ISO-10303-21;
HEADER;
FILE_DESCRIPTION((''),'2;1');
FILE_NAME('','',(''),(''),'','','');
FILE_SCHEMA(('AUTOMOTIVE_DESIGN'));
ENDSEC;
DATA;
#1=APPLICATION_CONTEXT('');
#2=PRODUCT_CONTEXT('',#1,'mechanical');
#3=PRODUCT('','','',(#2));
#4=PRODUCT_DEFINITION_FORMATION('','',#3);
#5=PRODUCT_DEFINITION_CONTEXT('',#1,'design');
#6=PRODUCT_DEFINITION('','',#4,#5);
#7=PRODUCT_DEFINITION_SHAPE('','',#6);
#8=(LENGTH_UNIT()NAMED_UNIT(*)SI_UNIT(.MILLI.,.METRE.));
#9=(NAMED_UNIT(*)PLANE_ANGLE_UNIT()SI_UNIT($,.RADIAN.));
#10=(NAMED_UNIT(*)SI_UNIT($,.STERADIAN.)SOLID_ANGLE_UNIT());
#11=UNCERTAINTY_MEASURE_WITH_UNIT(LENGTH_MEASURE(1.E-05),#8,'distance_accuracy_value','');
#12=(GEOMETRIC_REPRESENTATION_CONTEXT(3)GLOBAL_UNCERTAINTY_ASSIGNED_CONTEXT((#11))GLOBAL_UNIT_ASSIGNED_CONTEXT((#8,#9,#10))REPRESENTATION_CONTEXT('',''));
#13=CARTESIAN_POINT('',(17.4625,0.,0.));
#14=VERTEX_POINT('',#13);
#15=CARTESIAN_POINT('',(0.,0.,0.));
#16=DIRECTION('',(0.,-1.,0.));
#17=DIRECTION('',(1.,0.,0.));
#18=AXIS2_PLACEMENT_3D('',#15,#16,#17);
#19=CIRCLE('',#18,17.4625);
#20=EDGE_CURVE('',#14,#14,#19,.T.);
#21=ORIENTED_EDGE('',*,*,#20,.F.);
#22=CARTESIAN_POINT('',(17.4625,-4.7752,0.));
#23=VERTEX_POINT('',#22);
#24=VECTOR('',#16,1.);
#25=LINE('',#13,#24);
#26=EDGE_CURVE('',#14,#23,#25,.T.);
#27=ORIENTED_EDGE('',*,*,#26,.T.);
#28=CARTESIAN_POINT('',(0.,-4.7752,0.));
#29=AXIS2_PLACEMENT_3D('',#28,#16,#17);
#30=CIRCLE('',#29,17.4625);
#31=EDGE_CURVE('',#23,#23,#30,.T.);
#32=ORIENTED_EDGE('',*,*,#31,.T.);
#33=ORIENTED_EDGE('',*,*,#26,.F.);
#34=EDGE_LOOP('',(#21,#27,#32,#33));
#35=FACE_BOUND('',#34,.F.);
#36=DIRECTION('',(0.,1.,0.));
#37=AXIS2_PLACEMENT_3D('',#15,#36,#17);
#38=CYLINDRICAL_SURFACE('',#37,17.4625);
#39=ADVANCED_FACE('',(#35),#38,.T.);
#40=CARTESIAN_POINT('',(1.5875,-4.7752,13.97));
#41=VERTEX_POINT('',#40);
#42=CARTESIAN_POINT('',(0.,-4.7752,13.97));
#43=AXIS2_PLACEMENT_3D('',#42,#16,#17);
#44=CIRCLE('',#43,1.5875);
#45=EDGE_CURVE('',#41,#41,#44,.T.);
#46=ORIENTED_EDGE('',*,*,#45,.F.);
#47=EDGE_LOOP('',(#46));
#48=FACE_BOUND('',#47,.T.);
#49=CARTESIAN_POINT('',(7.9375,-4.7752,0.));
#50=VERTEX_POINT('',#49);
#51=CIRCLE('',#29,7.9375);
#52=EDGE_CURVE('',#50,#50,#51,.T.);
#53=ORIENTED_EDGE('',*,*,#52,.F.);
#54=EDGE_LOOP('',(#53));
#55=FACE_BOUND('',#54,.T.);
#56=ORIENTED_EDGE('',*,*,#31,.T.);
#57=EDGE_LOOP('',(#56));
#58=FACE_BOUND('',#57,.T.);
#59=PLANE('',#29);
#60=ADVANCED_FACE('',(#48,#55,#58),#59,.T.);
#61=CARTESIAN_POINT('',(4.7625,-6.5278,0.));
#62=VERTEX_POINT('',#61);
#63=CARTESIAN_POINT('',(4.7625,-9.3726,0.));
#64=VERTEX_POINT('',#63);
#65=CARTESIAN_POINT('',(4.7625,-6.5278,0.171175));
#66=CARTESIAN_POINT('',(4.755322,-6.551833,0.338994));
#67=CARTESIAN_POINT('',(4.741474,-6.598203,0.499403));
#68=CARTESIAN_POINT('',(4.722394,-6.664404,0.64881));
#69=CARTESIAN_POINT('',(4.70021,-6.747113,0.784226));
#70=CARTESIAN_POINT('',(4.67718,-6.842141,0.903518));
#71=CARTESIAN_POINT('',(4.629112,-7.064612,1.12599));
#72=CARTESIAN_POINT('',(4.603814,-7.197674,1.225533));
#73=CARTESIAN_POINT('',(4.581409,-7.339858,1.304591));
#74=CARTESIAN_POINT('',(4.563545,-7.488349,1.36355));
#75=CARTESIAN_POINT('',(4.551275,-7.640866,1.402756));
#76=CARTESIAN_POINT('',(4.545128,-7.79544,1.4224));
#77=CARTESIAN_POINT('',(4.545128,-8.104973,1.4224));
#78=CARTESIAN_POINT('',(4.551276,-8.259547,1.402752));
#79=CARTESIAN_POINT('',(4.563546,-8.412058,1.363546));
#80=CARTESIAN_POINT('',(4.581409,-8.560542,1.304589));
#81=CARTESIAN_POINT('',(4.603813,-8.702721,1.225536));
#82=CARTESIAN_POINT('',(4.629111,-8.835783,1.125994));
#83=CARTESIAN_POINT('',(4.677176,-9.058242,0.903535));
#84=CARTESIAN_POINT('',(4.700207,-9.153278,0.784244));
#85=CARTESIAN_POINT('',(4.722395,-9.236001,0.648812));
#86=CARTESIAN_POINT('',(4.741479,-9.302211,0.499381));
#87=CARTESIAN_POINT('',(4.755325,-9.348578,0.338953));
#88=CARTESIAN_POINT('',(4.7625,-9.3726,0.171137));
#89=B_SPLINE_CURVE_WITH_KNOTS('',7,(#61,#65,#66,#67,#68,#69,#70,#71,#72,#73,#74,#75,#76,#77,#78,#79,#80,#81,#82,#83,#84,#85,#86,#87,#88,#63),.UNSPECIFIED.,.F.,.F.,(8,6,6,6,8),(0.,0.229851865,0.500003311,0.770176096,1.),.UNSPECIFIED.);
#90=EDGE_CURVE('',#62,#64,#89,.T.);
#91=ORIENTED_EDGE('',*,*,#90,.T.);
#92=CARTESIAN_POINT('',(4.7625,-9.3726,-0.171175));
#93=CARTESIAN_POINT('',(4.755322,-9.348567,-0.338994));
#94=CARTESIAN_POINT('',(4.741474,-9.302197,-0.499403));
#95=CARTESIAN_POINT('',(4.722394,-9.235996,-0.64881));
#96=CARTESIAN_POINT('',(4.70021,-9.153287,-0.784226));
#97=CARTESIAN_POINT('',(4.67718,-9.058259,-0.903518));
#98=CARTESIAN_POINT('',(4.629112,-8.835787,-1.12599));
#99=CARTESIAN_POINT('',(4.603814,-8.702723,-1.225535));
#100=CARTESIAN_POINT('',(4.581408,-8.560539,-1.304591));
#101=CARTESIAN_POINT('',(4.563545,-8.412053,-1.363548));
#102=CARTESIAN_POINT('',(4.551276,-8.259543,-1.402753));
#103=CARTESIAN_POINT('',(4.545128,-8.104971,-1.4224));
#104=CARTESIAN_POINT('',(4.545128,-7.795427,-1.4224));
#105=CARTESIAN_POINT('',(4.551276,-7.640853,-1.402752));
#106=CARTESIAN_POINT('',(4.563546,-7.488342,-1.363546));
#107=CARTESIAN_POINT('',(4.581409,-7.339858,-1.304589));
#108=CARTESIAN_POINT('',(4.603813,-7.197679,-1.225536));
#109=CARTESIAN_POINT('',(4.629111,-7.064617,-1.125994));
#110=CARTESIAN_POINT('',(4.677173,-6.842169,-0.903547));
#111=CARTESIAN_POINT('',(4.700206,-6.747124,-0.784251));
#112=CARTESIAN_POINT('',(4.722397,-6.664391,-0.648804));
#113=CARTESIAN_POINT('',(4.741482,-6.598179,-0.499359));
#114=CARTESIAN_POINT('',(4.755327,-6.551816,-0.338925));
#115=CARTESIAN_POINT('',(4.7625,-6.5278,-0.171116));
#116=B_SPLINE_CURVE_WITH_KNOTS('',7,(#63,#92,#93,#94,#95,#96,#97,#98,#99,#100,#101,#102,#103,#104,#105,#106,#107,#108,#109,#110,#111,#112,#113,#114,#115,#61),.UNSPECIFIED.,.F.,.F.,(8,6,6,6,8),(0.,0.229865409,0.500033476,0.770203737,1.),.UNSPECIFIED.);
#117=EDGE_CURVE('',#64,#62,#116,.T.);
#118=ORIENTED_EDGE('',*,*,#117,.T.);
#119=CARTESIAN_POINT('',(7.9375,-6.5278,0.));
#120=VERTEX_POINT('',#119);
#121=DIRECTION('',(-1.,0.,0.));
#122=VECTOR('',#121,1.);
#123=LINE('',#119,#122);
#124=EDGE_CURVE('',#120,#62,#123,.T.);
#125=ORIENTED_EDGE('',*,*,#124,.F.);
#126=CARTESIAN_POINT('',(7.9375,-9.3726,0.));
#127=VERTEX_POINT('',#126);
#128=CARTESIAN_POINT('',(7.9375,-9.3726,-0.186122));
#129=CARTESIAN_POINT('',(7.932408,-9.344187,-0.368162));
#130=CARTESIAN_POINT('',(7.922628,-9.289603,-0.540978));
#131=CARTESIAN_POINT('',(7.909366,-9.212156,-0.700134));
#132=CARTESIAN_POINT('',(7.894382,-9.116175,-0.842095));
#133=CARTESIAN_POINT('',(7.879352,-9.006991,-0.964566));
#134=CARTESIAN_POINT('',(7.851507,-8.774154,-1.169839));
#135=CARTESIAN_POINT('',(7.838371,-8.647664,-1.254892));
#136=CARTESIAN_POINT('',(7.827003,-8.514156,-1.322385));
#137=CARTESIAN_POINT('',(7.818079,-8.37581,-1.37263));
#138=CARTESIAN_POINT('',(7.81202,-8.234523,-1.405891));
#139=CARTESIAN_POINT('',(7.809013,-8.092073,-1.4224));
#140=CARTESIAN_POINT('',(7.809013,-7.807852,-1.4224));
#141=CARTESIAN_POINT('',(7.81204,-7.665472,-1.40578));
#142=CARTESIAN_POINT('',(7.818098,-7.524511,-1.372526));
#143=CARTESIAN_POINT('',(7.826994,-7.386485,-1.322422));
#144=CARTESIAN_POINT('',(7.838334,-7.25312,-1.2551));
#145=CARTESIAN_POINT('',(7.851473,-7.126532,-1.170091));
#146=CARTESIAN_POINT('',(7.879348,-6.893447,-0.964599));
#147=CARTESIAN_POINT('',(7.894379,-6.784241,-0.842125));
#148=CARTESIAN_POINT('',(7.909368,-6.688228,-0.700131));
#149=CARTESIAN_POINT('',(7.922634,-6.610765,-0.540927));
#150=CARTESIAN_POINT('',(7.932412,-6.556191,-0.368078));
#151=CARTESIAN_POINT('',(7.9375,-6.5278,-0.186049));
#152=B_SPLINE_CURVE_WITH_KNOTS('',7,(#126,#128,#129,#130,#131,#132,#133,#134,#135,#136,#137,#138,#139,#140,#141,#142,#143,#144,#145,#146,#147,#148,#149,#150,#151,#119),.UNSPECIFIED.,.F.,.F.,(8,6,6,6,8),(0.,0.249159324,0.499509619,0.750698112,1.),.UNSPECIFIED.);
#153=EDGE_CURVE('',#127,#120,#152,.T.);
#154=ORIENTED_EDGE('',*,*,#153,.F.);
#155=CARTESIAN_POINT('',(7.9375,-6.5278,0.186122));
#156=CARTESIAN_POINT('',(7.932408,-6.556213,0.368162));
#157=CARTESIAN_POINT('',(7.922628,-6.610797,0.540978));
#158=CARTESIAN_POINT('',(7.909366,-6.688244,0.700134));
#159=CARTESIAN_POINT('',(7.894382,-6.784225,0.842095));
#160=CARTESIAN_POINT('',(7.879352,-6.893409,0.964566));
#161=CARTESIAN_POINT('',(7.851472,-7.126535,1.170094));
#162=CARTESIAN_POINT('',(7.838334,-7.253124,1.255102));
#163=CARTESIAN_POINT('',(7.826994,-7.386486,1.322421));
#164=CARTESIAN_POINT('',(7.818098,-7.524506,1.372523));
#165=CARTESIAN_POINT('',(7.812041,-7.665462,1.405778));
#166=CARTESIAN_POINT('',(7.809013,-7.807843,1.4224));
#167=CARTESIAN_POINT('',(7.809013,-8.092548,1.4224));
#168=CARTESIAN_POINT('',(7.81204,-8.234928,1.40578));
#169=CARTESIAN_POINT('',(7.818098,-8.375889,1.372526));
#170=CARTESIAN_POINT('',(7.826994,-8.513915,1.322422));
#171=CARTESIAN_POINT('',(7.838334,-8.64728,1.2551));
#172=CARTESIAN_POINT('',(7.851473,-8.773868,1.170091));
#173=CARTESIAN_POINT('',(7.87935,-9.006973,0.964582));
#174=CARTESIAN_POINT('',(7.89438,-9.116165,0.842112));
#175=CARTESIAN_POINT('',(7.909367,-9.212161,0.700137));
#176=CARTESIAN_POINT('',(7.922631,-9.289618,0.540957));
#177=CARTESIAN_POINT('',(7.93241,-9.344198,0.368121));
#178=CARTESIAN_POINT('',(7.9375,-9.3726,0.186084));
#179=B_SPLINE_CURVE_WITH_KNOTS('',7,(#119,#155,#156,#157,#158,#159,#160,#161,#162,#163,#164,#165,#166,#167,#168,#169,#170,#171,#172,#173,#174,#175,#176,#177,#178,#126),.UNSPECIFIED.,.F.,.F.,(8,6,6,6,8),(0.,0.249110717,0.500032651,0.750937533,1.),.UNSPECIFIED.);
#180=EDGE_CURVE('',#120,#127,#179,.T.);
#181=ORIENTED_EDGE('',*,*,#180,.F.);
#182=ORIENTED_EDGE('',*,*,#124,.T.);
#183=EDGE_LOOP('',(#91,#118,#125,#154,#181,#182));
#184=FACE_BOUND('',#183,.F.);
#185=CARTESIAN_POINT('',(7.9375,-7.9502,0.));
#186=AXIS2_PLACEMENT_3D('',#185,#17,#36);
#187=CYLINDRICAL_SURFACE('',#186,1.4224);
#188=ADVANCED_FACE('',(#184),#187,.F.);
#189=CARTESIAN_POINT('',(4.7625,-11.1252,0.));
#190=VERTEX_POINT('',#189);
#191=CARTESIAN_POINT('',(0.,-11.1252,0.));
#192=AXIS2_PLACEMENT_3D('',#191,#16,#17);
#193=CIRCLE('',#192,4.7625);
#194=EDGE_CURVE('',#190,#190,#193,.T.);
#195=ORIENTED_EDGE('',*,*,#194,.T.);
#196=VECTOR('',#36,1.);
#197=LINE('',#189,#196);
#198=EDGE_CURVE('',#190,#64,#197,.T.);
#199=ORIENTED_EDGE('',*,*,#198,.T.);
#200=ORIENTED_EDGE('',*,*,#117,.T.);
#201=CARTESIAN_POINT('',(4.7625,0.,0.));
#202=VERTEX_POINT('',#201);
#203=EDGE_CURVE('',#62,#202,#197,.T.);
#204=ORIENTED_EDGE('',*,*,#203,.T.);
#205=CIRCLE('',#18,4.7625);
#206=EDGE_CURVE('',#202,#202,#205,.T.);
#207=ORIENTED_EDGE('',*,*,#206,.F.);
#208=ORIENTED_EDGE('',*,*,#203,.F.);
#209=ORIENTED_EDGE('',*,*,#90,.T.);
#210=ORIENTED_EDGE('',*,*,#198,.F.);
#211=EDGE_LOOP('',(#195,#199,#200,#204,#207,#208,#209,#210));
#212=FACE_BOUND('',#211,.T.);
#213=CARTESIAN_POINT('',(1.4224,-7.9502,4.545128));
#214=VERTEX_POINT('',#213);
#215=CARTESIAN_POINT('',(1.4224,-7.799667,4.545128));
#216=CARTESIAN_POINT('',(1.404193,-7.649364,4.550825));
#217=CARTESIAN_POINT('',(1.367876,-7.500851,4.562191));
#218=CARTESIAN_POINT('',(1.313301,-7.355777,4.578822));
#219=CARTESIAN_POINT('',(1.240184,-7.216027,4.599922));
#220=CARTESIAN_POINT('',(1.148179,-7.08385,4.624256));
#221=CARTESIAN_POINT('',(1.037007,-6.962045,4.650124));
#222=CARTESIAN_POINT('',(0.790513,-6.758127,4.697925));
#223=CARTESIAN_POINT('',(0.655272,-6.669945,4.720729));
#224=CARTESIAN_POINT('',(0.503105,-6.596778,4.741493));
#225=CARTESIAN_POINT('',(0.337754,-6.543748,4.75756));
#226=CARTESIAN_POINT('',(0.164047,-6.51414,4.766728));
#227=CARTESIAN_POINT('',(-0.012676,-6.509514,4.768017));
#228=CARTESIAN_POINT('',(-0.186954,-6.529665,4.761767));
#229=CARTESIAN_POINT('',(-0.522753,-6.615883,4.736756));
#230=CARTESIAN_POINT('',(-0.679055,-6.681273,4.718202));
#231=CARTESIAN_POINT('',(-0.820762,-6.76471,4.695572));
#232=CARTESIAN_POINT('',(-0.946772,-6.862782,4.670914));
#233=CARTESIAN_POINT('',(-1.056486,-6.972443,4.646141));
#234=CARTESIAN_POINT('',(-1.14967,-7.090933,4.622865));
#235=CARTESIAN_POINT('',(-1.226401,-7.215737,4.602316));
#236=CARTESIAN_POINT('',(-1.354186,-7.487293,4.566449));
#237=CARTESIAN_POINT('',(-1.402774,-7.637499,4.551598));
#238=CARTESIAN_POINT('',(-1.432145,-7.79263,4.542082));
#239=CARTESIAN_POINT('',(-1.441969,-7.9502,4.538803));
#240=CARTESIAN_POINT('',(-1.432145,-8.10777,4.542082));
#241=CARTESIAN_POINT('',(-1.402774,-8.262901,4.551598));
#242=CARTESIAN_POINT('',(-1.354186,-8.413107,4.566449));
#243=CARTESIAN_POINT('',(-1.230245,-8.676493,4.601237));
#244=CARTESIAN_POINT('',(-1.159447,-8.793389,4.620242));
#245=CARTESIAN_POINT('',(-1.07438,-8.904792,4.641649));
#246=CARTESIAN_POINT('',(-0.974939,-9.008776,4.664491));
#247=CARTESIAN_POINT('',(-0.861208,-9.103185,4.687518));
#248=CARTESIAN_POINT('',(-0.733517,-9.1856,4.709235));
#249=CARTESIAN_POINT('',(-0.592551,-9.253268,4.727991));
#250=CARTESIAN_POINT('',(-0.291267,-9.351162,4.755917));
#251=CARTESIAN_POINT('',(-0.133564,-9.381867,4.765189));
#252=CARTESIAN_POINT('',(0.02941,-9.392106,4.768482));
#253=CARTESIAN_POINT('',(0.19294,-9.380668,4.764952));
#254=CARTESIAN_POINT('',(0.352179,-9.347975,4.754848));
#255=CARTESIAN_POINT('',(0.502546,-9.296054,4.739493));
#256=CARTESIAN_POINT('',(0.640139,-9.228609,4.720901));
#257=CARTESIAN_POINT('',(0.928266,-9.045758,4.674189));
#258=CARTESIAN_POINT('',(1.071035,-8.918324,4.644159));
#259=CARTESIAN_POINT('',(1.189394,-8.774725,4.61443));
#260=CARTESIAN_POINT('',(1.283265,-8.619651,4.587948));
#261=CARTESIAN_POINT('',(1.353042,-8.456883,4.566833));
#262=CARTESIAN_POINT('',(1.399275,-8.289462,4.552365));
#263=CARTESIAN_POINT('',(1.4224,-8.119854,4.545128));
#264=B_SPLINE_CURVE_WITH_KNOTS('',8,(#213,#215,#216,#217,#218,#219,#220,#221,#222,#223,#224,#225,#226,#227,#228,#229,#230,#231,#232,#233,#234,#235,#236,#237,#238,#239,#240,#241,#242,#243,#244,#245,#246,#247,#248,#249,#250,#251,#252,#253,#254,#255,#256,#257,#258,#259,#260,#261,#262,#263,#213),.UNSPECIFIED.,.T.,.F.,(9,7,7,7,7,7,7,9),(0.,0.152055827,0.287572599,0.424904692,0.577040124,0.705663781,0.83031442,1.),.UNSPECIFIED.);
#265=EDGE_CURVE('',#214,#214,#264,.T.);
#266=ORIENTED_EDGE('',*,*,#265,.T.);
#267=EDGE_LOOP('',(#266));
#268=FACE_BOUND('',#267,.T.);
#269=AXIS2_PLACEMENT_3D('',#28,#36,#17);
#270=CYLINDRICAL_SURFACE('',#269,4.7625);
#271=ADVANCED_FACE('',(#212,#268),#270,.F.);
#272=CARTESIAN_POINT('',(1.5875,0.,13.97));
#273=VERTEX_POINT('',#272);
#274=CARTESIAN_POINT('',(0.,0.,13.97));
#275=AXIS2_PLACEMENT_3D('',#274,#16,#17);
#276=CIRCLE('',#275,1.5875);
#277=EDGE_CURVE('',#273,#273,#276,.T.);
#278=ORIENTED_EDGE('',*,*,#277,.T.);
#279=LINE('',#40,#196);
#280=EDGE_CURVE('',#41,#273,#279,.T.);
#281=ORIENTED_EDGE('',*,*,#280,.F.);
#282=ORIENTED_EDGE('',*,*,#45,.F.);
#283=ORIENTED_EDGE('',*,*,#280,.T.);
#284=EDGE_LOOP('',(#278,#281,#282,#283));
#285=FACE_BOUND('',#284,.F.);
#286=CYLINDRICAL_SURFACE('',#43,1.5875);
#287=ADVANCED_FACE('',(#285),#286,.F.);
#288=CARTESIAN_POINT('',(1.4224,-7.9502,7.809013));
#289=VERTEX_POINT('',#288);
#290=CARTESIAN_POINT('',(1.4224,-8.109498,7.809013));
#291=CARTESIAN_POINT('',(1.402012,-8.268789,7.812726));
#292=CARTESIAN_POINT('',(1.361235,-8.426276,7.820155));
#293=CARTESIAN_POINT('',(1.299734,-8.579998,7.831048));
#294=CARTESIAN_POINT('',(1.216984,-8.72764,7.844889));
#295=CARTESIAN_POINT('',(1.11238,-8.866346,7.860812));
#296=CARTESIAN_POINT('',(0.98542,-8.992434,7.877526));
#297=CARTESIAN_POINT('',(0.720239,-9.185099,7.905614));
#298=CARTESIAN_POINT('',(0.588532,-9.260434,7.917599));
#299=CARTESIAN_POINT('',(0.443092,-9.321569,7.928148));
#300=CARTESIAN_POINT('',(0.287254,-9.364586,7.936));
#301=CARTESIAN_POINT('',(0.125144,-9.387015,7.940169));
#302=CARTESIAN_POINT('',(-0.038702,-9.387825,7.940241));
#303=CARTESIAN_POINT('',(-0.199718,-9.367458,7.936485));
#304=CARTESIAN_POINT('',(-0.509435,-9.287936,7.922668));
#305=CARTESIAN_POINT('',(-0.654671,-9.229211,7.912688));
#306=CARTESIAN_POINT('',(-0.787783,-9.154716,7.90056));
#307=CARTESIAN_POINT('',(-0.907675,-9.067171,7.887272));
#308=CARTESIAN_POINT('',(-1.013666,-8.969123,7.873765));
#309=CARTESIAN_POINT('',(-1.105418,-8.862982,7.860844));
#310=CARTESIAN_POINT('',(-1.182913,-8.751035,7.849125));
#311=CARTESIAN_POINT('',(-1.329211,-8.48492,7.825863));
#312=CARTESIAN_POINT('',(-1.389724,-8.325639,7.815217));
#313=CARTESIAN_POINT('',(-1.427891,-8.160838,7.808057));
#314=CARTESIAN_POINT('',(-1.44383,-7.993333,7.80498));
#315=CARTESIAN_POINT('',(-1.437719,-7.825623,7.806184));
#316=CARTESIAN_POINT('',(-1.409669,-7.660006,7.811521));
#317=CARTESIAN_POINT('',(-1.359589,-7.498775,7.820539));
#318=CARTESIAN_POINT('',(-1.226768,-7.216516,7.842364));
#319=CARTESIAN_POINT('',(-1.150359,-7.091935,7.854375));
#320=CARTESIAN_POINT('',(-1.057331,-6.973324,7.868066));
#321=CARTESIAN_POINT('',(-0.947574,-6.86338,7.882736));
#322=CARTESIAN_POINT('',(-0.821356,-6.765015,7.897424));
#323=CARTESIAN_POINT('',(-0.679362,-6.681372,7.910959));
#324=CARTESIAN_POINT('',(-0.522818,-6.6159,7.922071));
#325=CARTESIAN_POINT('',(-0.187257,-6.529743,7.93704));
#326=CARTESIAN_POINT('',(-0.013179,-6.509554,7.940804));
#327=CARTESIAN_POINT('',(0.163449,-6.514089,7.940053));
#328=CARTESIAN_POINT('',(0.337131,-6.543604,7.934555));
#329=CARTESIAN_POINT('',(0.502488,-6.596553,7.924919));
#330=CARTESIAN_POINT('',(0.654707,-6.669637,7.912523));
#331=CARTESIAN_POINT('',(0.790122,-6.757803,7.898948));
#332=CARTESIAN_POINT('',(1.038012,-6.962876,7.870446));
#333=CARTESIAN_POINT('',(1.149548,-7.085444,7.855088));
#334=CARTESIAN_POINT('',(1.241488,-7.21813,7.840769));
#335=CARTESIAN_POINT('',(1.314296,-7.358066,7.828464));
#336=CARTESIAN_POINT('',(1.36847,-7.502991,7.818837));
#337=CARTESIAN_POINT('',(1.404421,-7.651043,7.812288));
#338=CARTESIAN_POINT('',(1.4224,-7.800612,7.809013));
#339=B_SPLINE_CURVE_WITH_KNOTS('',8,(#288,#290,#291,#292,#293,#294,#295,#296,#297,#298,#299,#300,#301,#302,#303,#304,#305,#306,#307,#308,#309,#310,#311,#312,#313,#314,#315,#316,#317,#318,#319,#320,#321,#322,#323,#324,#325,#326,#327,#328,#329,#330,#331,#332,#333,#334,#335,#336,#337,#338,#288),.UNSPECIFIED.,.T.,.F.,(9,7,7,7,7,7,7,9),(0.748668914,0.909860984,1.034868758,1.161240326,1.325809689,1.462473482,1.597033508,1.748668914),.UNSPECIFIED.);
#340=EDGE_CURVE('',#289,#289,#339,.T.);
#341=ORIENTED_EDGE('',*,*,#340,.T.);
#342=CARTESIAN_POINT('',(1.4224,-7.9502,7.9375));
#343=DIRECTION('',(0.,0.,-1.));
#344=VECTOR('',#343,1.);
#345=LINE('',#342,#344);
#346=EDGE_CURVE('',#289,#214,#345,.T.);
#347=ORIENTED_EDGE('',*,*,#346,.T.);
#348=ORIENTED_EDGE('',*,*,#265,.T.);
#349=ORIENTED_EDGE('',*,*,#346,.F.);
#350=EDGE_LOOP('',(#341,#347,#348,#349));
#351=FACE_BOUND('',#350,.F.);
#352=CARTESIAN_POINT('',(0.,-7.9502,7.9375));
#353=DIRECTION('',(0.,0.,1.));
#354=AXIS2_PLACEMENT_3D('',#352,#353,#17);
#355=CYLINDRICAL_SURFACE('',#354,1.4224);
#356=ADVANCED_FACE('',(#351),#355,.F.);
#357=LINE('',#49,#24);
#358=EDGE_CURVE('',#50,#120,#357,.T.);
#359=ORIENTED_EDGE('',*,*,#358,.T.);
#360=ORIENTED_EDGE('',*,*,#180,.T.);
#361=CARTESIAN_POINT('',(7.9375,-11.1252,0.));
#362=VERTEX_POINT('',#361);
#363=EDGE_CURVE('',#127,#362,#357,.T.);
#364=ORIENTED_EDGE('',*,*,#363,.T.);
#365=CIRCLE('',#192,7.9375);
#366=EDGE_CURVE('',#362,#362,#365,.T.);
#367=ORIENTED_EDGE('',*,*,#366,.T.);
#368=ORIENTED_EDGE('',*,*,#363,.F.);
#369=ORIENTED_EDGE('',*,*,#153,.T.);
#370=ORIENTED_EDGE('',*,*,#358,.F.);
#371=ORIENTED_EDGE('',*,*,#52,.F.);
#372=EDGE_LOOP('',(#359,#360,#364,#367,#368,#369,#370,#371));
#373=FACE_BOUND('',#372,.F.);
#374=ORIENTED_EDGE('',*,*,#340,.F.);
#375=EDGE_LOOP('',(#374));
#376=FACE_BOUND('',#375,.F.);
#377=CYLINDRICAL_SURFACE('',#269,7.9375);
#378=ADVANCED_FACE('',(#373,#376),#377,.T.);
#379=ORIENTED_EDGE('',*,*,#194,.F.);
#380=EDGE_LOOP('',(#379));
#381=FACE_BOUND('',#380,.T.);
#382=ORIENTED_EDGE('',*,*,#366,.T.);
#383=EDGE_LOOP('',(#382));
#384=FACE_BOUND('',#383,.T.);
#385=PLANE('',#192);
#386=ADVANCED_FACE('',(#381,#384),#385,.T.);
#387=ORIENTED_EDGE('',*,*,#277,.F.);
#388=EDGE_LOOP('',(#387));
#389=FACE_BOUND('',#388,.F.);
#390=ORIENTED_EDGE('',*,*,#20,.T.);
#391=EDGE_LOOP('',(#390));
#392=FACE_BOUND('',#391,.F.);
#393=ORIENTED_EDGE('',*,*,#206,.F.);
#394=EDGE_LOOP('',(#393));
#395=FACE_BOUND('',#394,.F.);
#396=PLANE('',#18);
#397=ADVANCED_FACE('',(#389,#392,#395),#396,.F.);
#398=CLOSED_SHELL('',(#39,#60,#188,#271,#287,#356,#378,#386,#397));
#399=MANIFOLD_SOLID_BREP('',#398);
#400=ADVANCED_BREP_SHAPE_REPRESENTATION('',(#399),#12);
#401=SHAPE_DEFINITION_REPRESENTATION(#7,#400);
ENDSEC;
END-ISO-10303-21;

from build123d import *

# Parameters (mm, degrees)
F0_R      = 17.4625
F0_R_2    = 4.7625
F1_DEPTH  = 4.7752
F2_R      = 7.9375
F2_R_2    = 4.7625
F3_DEPTH  = 6.35
F5_R      = 1.5875
F6_DEPTH  = 4.7762
F8_R      = 1.4224
F9_DEPTH  = 5.08
F11_R     = 1.4224
F12_DEPTH = 5.08


with BuildPart() as f1:
    # F0 (on Front) → F1 (new body)
    with BuildSketch(Plane.XZ):
        Circle(F0_R)
        Circle(F0_R_2, mode=Mode.SUBTRACT)
    extrude(amount=F1_DEPTH)

    # F2 (on face) → F3 (join)
    with BuildSketch(Plane.XZ.offset(4.7752)):
        Circle(F2_R)
        Circle(F2_R_2, mode=Mode.SUBTRACT)
    extrude(amount=F3_DEPTH)

    # F5 (on face) → F6 (cut, through all)
    with BuildSketch(Plane.XZ.offset(4.7752)):
        with Locations((0, 13.97)):
            Circle(F5_R)
    extrude(amount=-F6_DEPTH, mode=Mode.SUBTRACT)

    # F8 (on offset) → F9 (cut)
    with BuildSketch(Plane.XY.offset(7.9375)):
        with Locations((0, -7.9502)):
            Circle(F8_R)
    extrude(amount=-F9_DEPTH, mode=Mode.SUBTRACT)

    # F11 (on offset) → F12 (cut)
    with BuildSketch(Plane.YZ.offset(7.9375)):
        with Locations((-7.9502, 0)):
            Circle(F11_R)
    extrude(amount=-F12_DEPTH, mode=Mode.SUBTRACT)


solid = f1.part
